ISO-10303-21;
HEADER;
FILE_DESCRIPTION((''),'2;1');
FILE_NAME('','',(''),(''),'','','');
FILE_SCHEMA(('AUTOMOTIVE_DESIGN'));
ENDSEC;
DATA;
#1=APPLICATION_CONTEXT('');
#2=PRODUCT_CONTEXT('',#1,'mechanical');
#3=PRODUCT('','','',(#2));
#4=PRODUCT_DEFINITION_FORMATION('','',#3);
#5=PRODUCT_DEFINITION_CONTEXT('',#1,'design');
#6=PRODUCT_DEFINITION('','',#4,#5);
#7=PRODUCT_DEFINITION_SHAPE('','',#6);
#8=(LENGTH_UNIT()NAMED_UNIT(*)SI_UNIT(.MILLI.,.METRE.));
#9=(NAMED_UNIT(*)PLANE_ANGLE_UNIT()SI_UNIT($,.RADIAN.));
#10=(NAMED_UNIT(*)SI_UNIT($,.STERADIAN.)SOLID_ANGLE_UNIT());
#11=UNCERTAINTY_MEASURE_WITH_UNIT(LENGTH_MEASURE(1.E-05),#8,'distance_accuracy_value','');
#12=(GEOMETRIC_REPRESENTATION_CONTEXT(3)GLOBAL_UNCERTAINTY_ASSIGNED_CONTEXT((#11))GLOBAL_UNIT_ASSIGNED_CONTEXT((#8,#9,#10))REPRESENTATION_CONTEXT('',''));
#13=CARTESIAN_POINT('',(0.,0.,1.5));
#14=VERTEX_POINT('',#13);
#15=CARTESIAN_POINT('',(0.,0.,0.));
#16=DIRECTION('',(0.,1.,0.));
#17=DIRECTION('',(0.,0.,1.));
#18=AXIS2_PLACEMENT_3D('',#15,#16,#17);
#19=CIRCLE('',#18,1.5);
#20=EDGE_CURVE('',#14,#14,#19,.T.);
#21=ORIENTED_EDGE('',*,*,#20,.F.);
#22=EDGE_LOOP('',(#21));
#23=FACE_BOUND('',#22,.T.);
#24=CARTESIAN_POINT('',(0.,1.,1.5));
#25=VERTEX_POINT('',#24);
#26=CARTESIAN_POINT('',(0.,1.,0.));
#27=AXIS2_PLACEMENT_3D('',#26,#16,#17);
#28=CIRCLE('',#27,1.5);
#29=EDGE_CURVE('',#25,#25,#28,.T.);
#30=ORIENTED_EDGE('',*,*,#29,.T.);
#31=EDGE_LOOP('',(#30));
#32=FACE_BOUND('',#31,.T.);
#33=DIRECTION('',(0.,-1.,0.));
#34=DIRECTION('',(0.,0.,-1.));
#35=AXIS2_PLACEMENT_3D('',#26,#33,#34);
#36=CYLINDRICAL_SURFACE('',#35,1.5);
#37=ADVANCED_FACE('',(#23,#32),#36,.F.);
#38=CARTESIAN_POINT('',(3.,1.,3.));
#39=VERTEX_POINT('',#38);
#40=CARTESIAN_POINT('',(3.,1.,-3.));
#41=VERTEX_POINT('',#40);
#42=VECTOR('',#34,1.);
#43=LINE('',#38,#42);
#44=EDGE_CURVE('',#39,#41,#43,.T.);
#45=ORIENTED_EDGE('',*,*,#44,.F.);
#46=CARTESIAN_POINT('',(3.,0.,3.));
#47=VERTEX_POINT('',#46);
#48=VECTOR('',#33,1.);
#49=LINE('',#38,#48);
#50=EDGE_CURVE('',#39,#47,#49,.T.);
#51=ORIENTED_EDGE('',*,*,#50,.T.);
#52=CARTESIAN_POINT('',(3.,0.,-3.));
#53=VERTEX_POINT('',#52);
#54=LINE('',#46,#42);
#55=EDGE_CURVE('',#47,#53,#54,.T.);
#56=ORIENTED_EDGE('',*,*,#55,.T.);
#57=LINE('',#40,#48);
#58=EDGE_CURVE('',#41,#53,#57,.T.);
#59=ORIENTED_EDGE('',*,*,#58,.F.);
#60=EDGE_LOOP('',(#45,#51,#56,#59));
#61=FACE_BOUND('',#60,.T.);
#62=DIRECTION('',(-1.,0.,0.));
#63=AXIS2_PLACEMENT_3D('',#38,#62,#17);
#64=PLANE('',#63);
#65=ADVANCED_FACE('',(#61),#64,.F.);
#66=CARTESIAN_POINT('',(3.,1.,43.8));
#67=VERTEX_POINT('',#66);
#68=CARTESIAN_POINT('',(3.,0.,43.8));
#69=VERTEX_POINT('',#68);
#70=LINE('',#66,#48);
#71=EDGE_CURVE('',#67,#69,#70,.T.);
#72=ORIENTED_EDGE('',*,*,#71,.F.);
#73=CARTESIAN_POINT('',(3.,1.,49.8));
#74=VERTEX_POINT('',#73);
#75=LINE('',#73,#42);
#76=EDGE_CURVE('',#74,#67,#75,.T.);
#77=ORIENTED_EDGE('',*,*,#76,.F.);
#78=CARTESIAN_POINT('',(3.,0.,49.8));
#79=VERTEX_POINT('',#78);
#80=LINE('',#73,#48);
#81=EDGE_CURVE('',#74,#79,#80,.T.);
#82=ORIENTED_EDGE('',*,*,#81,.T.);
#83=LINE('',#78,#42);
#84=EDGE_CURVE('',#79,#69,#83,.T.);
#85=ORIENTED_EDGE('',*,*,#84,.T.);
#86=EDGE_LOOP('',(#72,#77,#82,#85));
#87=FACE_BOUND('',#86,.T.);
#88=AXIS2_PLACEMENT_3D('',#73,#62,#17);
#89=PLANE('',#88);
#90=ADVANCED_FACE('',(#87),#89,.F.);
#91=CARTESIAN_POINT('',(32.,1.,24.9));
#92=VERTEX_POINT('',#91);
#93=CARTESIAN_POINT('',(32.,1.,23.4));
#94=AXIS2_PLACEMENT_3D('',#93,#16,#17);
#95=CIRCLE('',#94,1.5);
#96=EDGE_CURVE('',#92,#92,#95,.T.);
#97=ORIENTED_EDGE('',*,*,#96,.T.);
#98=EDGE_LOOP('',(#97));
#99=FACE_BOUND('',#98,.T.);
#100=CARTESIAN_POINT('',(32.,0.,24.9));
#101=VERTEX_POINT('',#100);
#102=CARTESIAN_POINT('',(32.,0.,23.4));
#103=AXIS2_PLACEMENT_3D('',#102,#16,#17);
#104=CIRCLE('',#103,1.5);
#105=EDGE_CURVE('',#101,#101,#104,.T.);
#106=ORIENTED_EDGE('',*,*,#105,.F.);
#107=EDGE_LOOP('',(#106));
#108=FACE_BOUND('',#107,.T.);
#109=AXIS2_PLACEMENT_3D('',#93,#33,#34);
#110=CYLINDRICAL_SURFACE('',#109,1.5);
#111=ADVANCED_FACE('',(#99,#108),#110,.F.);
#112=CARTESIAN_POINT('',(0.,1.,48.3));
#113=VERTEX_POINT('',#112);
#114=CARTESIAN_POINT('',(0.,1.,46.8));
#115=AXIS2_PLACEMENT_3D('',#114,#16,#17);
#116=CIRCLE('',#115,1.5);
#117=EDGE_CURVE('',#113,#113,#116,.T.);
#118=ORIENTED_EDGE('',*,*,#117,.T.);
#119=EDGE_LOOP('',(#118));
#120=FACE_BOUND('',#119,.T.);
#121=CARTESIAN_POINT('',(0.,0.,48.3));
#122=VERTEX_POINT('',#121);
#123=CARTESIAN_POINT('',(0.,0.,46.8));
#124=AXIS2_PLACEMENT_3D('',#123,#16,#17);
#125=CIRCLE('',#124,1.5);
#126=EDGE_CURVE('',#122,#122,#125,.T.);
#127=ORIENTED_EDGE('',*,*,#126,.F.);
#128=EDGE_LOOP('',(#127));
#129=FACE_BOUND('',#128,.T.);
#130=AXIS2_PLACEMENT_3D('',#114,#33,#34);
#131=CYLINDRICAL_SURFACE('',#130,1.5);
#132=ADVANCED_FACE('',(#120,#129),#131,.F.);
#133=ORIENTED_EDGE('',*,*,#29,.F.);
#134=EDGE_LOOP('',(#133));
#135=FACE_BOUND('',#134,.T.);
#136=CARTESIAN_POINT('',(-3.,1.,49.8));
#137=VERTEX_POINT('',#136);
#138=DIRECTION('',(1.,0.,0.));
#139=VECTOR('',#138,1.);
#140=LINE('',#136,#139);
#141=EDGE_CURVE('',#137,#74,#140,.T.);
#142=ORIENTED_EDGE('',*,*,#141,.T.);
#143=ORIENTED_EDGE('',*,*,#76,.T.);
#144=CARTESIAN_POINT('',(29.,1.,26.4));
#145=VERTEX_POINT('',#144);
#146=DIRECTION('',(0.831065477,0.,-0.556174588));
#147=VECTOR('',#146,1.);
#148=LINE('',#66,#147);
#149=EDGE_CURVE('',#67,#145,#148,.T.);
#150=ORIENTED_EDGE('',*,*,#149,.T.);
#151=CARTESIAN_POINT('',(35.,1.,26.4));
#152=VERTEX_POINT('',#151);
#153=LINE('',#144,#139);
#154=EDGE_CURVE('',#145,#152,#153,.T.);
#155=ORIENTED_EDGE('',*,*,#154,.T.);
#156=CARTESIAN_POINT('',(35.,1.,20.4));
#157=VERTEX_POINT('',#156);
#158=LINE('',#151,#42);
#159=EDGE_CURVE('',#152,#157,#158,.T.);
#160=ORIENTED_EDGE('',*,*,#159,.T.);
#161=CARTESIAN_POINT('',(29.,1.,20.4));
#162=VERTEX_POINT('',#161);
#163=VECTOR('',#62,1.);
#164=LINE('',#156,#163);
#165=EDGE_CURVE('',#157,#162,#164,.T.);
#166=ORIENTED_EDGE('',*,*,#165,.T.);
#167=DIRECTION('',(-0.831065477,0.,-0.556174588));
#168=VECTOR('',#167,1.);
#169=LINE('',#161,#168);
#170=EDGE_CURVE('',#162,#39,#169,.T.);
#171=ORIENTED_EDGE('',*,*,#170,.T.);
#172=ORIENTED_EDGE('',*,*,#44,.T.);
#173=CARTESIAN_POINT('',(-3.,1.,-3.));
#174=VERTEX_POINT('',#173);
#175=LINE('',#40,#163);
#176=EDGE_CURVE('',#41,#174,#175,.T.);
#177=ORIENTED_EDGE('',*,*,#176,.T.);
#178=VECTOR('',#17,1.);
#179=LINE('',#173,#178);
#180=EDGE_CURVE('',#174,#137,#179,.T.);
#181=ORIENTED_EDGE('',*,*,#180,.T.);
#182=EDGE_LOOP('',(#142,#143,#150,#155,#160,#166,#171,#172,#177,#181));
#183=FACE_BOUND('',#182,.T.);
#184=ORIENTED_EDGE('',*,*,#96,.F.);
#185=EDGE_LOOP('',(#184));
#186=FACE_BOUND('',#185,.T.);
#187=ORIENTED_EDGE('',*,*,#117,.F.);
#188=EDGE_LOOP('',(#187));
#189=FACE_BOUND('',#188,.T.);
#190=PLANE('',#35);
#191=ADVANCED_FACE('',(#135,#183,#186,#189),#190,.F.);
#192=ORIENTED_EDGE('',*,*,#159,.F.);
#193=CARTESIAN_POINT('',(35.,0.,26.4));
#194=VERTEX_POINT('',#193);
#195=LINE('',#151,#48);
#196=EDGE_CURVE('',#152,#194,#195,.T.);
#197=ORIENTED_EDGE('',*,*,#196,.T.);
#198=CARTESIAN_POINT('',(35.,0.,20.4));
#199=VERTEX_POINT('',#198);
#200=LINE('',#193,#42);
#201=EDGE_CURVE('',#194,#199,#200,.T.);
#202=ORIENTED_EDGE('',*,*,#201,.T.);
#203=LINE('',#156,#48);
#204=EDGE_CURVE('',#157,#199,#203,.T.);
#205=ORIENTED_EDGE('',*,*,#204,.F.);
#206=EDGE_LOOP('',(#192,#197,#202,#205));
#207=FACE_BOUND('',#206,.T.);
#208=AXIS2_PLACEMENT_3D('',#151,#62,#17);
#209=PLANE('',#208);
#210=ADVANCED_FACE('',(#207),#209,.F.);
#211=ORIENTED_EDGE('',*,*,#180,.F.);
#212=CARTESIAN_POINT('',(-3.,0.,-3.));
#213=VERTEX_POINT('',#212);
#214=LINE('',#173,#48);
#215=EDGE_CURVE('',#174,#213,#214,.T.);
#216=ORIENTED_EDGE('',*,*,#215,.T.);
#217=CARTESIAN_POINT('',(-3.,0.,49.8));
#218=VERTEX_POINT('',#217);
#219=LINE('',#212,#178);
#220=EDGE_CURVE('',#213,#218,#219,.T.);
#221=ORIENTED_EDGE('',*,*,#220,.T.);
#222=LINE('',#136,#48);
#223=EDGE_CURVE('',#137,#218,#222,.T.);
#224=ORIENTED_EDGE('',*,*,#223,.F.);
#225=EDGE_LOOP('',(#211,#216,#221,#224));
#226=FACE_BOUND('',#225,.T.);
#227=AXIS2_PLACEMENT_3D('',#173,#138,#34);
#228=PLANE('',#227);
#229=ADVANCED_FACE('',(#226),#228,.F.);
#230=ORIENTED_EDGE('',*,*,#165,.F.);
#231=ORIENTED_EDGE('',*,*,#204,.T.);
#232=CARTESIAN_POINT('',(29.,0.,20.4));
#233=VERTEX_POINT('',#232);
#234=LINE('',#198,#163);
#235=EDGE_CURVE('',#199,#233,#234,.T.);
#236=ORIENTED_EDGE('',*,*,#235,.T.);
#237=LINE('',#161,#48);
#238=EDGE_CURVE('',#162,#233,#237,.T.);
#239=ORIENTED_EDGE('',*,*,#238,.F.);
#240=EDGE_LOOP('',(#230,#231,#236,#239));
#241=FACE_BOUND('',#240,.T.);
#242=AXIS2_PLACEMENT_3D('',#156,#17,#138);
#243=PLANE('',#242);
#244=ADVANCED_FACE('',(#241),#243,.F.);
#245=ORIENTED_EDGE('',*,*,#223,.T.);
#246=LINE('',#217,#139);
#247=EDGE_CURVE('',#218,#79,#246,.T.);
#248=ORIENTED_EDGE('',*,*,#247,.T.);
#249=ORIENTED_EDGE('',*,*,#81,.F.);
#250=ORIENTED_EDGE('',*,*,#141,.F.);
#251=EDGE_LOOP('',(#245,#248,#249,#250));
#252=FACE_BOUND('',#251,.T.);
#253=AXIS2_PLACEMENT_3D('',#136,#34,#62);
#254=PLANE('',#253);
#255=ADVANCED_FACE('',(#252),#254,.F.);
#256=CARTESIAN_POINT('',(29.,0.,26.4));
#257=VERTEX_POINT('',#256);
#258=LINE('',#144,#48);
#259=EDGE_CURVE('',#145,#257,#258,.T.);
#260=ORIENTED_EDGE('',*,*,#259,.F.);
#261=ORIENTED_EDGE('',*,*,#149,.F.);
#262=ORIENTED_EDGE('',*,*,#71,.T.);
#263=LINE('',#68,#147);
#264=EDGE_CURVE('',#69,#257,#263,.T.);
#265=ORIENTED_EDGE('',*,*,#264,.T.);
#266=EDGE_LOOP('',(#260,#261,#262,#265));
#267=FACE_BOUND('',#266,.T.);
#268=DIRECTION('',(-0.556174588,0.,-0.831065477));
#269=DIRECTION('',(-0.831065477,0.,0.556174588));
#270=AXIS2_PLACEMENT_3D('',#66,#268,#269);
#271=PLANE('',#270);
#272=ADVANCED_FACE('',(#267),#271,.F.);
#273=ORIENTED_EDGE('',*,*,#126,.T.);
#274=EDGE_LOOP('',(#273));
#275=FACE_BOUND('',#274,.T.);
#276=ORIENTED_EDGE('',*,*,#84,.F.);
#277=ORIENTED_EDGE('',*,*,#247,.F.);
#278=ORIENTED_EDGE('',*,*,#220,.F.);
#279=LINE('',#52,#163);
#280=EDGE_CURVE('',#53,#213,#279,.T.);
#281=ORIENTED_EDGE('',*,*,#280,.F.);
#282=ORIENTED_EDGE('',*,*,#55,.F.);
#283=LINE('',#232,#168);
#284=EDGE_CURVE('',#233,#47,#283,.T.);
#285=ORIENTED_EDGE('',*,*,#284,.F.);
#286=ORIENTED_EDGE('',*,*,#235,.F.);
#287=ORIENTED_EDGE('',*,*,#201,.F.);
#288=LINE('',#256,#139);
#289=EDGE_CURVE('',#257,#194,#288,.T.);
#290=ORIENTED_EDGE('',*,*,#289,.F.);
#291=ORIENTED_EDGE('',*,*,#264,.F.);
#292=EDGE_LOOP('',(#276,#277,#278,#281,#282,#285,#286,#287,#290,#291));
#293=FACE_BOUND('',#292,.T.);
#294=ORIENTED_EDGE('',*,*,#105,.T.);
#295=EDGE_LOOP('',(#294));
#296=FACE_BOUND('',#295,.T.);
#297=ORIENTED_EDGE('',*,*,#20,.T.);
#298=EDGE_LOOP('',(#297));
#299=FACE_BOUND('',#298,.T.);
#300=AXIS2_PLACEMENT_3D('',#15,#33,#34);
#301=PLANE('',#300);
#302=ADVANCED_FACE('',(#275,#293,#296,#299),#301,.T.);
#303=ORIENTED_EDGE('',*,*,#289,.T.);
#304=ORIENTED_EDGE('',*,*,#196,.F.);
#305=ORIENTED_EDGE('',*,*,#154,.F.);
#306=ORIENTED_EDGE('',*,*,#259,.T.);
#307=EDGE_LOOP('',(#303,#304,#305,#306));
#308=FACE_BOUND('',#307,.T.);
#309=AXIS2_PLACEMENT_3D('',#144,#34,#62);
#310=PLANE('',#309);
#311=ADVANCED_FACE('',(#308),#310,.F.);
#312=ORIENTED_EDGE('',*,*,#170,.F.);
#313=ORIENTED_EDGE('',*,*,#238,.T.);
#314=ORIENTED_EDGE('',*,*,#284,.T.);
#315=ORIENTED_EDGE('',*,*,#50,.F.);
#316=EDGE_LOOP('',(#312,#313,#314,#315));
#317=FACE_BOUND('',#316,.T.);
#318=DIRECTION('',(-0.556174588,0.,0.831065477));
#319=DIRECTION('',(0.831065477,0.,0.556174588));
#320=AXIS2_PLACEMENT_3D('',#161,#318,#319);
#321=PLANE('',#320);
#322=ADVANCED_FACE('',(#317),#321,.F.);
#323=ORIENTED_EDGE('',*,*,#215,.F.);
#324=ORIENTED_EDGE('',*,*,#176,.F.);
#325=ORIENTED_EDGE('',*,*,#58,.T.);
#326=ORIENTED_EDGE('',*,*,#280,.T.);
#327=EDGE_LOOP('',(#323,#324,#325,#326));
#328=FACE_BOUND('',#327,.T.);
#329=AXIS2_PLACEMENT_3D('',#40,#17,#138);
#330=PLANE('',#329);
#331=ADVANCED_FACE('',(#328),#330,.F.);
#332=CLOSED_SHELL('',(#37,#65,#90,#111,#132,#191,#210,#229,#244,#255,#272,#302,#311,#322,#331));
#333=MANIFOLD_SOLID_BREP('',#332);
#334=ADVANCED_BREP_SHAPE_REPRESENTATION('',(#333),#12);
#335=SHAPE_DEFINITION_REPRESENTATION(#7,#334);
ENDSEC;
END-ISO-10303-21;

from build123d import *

# Parameters (mm, degrees)
CROQUIS1_R              = 1.5
SALIENTE_EXTRUIR1_DEPTH = 1
CORTAR_EXTRUIR1_DEPTH   = 1


with BuildPart() as part:
    # Croquis1 → Saliente-Extruir1 (new body)
    with BuildSketch(Plane(origin=(0, 0, 0), x_dir=(1, 0, 0), z_dir=(0, 1, 0))):
        Polygon((-3, 3), (-3, -49.8), (3, -49.8), (3, -43.8), (29, -26.4), (35, -26.4), (35, -20.4), (29, -20.4), (3, -3), (3, 3), align=None)
        with Locations(Location((0, 0, 0), (0, 0, 270))):
            Circle(CROQUIS1_R, mode=Mode.SUBTRACT)
        with Locations(Location((0, -46.8, 0), (0, 0, 270))):
            Circle(CROQUIS1_R, mode=Mode.SUBTRACT)
        with Locations(Location((32, -23.4, 0), (0, 0, 270))):
            Circle(CROQUIS1_R, mode=Mode.SUBTRACT)
    extrude(amount=SALIENTE_EXTRUIR1_DEPTH)

    # Croquis2 → Cortar-Extruir1 (cut)
    with BuildSketch(Plane(origin=(0, 4, 0), x_dir=(1, 0, 0), z_dir=(0, 1, 0))):
        Polygon((29, -20.4), (29, -26.4), (1.37887203, -65.195749652), (-23.269516781, -18.416533666), (-7.63010581, 16.328115394), align=None)
    extrude(amount=-CORTAR_EXTRUIR1_DEPTH, mode=Mode.SUBTRACT)


solid = part.part
